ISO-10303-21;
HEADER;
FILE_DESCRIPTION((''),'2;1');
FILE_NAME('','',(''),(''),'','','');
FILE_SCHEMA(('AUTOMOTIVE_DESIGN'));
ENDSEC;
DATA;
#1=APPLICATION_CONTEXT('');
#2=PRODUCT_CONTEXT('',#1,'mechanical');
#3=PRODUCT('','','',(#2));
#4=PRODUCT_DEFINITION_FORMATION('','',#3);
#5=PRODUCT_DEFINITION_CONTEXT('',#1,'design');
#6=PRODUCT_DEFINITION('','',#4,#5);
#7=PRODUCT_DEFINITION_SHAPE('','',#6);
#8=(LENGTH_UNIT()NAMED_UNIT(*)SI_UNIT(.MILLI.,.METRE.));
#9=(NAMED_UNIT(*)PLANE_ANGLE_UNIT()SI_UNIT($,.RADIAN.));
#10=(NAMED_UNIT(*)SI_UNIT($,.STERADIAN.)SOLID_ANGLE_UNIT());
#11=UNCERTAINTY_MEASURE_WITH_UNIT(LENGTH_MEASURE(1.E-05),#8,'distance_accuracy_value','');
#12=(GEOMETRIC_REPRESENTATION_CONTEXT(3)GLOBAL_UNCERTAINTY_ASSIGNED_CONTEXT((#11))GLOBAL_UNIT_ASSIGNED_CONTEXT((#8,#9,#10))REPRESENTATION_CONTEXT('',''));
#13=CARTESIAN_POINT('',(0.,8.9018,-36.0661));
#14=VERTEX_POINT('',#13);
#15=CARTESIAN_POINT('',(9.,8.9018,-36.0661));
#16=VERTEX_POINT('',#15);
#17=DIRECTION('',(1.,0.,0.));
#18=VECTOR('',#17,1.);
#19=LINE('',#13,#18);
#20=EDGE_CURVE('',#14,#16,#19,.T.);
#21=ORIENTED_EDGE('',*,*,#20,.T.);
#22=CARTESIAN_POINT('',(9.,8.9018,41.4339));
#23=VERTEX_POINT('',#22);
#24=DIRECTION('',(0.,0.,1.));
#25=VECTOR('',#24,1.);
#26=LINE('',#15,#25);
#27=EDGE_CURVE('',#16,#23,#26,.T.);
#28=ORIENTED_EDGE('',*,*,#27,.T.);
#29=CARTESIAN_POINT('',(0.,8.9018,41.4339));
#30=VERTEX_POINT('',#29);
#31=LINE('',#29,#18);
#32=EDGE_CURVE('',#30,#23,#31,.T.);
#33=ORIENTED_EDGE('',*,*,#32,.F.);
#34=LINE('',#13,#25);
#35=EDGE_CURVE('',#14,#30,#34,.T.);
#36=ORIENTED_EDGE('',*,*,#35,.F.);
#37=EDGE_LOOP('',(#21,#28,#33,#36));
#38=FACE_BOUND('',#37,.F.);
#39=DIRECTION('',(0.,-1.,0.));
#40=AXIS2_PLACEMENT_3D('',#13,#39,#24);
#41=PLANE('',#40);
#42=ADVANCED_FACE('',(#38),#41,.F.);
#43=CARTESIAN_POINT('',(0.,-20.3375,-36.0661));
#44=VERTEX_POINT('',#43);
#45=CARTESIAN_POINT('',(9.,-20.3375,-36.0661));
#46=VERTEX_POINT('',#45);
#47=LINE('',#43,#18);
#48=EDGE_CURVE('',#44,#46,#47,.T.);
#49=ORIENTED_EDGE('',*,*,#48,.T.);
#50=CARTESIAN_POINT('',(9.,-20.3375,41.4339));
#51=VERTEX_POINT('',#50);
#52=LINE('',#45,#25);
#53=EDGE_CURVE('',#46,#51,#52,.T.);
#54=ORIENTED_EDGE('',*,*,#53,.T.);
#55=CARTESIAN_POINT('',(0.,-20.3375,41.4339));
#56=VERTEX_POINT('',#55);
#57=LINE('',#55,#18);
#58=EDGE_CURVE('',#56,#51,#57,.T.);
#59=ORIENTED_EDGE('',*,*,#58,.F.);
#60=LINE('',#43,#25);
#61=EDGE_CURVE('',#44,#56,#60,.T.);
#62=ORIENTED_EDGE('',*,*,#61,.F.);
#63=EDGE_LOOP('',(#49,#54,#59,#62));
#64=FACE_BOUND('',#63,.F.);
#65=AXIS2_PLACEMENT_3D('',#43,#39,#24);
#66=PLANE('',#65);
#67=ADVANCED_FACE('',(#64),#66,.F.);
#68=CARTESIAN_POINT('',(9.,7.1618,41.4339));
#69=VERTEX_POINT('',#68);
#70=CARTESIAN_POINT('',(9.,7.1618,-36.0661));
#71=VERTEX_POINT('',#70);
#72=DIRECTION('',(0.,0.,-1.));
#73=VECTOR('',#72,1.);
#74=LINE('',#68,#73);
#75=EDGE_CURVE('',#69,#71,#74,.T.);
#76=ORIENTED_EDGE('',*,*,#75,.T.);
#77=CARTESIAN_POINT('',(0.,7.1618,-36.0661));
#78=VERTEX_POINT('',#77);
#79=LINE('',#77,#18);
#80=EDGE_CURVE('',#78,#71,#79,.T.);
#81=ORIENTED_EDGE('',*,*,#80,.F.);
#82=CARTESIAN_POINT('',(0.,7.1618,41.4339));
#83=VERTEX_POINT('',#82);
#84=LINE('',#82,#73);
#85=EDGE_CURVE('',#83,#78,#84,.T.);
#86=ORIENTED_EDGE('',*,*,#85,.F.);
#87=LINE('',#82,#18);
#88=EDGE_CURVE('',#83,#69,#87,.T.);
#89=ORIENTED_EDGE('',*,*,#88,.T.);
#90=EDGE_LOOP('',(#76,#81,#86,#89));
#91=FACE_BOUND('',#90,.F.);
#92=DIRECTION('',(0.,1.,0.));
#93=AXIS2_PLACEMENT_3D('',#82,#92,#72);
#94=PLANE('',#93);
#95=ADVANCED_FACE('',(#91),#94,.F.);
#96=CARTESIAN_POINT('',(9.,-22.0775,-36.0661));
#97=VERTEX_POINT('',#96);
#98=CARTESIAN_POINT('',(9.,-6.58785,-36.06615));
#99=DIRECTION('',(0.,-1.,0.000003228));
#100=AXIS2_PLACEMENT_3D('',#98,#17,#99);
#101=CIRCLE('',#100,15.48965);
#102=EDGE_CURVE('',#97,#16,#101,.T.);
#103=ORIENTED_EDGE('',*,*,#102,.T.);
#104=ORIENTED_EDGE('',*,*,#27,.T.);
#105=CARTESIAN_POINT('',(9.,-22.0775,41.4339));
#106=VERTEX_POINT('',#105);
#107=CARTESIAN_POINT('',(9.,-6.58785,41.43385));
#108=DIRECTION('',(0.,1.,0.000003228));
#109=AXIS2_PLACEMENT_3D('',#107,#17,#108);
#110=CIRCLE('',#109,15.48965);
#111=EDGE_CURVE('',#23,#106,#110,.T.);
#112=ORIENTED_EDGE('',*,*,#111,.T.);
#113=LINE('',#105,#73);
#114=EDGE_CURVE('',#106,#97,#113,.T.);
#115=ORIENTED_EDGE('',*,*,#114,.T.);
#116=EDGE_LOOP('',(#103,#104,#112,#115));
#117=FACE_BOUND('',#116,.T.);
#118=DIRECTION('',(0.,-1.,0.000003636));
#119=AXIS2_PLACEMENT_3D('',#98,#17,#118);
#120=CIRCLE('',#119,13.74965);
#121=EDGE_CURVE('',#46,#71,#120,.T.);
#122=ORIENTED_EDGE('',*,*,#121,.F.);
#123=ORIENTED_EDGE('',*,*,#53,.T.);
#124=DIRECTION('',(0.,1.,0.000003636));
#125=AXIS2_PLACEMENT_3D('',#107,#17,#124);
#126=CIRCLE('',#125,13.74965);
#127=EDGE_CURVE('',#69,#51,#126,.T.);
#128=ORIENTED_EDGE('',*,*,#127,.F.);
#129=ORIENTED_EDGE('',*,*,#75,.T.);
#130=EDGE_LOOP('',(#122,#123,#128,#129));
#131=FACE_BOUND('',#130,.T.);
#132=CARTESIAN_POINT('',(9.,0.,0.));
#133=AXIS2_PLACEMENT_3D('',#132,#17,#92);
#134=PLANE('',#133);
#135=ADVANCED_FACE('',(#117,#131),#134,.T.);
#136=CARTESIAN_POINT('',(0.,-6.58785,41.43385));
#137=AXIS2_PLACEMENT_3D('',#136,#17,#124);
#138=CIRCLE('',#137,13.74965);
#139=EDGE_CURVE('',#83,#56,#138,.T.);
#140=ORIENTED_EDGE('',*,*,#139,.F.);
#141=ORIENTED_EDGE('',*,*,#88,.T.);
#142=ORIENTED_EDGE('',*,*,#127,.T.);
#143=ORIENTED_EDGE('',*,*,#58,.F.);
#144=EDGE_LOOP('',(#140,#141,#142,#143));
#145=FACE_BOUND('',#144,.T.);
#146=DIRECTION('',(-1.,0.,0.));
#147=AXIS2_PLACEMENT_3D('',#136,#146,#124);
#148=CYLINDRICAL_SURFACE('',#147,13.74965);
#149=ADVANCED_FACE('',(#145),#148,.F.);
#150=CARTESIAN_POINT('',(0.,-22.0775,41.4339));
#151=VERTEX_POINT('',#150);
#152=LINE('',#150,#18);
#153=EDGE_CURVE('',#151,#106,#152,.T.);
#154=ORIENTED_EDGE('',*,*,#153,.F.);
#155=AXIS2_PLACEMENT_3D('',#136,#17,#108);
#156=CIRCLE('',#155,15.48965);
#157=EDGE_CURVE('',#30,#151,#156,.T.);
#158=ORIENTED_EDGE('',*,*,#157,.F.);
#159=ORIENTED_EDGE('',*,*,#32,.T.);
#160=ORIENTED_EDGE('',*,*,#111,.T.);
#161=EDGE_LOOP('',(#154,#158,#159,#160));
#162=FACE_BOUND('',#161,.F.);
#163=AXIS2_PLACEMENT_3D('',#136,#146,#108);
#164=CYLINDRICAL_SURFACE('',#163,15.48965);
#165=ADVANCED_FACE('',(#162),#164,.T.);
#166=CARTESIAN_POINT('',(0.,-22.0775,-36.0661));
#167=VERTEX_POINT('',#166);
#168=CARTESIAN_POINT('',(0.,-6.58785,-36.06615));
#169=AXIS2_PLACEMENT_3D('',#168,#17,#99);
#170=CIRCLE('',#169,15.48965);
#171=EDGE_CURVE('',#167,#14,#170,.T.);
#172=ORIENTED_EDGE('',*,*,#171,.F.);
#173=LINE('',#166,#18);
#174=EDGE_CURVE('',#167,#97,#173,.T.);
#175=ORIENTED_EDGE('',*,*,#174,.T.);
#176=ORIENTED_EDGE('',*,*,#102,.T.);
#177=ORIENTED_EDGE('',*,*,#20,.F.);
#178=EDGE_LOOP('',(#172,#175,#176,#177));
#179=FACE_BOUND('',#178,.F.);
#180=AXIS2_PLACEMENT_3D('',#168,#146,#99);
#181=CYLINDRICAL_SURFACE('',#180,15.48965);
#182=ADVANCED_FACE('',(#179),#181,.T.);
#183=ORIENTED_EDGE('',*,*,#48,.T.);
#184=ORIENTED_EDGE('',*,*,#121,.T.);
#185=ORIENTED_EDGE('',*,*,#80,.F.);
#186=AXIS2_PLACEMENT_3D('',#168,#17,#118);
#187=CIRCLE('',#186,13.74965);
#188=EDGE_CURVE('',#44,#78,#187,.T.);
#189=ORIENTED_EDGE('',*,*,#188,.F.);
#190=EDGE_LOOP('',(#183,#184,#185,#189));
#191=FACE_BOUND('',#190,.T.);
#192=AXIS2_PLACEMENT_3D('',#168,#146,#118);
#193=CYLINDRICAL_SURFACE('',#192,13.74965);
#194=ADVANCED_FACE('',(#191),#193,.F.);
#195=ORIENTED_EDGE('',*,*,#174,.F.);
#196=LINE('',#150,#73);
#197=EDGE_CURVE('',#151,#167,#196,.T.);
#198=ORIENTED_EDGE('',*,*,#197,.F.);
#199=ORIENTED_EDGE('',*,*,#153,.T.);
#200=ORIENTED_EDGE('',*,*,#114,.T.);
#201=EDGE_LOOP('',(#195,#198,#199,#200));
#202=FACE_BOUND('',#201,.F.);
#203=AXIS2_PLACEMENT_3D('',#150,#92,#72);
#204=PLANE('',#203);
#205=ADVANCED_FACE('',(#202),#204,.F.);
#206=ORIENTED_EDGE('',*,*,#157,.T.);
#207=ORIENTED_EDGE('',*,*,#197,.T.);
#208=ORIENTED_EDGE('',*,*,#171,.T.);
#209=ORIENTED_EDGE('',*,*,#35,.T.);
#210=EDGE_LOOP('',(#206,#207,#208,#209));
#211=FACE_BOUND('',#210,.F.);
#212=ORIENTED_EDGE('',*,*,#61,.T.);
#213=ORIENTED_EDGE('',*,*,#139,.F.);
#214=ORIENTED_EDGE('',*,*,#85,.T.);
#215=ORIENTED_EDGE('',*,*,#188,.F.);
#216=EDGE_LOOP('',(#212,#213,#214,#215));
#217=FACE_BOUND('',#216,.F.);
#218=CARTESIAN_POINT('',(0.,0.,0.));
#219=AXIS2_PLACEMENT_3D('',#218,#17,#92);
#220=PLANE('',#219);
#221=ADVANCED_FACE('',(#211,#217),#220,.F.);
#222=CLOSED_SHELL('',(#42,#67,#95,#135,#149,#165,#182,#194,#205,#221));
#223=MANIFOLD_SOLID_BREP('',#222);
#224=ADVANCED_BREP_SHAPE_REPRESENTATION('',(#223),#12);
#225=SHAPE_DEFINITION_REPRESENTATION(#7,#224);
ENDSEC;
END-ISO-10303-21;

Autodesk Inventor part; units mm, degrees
ref_plane "YZ Plane" through (0, 0, 0) normal (1, 0, 0) x (0, 1, 0)
ref_plane "XZ Plane" through (0, 0, 0) normal (0, 1, 0) x (-1, 0, 0)
ref_plane "XY Plane" through (0, 0, 0) normal (0, 0, 1) x (1, 0, 0)
sketch "Sketch1" plane through (0, 0, 0) normal (1, 0, 0) x (0, 1, 0)
  arc A0 (7.1618, 41.4339) -> (-20.3375, 41.4339) centre (-6.5878, 41.4339) ccw
  arc A1 (-20.3375, -36.0661) -> (7.1618, -36.0661) centre (-6.5878, -36.0661) ccw
  line L0 (7.1618, 41.4339) -> (7.1618, -36.0661)
  line L1 (-20.3375, -36.0661) -> (-20.3375, 41.4339)
  line L2 (8.9018, -36.0661) -> (8.9018, 41.4339)
  arc A2 (8.9018, 41.4339) -> (-22.0775, 41.4339) centre (-6.5878, 41.4339) ccw
  line L3 (-22.0775, 41.4339) -> (-22.0775, -36.0661)
  arc A3 (-22.0775, -36.0661) -> (8.9018, -36.0661) centre (-6.5878, -36.0661) ccw
  point P0 (0, 0)
  dimension "d0" = 27.4993
  dimension "d1" = 27.4993
  dimension "d2" = 77.5
  dimension "d3" = 0
  dimension "d4" = 1.74
extrude "Extrusion1" add sketch "Sketch1" along normal blind 9
equation "\"d1\" = d0"
properties part number "49T belt from gobuilda"
